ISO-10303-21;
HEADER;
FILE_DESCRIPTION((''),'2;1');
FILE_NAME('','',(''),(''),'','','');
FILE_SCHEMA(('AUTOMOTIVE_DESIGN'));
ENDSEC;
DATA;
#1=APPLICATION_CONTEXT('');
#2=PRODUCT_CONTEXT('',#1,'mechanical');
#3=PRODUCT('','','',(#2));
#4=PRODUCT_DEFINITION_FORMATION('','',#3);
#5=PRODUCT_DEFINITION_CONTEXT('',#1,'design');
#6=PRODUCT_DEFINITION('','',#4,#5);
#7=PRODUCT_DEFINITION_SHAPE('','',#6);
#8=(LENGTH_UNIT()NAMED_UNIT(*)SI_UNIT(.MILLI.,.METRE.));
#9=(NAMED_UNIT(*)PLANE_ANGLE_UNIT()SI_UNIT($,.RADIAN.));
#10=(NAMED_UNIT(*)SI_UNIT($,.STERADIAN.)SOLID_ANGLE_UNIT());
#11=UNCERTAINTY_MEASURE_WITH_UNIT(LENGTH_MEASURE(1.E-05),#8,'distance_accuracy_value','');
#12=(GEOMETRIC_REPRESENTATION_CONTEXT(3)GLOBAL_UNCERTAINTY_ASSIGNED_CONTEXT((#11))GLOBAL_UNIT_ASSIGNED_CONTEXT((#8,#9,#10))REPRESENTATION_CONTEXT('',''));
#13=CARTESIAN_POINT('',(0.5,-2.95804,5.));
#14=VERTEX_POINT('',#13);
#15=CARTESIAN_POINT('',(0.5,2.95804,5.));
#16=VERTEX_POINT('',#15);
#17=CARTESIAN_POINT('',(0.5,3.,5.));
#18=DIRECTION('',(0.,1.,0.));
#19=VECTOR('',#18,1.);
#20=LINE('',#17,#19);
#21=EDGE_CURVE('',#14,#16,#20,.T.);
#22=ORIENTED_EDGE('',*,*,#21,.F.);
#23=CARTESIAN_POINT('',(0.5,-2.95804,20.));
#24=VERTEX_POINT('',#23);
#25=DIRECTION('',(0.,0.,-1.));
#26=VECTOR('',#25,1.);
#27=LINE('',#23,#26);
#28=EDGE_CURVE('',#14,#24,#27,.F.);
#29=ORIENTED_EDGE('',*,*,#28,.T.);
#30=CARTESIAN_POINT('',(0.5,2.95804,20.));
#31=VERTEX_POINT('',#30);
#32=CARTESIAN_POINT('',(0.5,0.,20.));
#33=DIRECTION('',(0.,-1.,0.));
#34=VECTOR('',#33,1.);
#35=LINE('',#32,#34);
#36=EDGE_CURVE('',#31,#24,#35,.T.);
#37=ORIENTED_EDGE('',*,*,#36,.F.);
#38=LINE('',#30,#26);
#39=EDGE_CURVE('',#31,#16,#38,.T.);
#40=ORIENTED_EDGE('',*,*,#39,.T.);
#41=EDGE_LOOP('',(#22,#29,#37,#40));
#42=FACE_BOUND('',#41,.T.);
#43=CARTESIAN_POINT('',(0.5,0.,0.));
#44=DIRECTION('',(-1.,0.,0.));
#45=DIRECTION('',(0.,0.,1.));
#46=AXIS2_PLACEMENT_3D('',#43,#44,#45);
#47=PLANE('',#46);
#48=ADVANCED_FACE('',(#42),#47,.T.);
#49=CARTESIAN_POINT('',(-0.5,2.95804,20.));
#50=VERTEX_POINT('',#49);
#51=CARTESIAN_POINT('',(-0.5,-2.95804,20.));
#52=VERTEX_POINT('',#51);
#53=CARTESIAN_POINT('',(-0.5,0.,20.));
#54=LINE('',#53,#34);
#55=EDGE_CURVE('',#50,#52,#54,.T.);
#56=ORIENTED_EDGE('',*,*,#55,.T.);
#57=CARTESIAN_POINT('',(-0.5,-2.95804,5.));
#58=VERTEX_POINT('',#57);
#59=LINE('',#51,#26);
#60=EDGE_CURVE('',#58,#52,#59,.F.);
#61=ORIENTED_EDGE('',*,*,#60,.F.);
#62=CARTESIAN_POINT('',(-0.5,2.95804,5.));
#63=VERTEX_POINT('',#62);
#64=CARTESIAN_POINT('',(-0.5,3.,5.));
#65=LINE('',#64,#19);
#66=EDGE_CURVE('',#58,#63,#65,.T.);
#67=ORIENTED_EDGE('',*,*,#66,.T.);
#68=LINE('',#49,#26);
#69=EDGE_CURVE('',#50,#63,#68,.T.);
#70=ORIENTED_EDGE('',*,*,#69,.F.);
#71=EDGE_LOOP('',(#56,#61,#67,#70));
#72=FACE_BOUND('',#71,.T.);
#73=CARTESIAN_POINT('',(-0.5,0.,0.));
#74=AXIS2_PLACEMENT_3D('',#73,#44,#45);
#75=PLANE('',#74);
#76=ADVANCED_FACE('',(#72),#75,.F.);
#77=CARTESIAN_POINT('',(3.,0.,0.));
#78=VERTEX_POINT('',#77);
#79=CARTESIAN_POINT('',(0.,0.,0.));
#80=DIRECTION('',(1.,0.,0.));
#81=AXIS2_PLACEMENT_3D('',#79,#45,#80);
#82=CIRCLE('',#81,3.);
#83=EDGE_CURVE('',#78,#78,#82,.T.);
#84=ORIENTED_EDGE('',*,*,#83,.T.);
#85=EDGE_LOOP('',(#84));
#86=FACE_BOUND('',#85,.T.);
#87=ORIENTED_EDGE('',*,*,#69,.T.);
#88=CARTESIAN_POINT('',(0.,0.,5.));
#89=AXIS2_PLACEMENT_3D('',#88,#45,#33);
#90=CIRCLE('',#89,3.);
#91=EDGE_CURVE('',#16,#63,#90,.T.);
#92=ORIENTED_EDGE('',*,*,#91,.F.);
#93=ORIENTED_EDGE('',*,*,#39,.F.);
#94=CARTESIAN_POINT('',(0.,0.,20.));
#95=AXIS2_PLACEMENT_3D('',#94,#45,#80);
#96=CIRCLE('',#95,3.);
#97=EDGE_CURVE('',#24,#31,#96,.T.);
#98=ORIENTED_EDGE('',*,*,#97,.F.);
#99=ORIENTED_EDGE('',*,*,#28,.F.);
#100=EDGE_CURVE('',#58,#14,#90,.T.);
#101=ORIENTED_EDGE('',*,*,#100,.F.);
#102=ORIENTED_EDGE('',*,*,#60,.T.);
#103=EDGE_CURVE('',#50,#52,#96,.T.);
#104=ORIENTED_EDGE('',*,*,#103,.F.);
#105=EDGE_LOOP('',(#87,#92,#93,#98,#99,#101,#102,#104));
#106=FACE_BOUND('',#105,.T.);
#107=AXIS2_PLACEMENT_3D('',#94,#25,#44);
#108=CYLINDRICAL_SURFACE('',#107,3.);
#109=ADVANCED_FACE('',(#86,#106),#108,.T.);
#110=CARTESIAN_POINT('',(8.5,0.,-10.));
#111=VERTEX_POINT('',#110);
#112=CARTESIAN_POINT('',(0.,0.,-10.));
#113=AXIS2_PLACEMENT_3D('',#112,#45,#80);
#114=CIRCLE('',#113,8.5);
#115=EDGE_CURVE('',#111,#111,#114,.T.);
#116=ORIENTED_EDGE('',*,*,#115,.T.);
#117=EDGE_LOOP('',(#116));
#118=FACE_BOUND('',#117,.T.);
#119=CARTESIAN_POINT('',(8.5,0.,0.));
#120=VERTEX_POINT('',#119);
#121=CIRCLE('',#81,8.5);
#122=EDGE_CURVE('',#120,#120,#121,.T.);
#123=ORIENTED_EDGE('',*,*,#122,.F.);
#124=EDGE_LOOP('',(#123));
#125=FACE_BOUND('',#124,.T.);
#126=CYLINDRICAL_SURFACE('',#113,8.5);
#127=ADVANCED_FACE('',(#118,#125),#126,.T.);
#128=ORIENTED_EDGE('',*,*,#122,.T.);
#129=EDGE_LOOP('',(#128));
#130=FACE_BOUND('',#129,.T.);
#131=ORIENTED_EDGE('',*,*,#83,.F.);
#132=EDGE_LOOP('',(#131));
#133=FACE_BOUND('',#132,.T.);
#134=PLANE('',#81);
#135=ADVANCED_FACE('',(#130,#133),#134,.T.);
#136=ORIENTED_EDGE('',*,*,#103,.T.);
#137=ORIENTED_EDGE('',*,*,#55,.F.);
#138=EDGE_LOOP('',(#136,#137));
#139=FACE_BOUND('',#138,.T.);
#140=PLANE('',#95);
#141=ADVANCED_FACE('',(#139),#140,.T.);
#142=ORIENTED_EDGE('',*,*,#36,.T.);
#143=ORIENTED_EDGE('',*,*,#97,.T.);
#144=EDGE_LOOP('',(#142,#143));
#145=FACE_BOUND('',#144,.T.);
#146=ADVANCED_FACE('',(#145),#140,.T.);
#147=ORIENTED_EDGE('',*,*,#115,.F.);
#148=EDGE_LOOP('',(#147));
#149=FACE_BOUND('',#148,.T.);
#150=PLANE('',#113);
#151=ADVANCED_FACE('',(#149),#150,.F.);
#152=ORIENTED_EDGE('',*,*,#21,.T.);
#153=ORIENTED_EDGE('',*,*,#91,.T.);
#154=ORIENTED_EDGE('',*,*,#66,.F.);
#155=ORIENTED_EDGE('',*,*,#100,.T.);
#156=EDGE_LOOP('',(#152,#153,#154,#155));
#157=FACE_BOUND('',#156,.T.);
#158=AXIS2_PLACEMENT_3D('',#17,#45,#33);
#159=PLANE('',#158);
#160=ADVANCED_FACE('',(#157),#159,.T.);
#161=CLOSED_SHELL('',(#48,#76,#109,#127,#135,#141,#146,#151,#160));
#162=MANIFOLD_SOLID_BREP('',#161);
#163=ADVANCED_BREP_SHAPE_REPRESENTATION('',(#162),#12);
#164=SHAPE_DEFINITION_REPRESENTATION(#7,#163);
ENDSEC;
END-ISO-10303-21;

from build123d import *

# Parameters (mm, degrees)
SKETCH1_R               = 3
BOSS_EXTRUDE1_DEPTH     = 20
SKETCH1_3_R             = 8.5
BOSS_EXTRUDE2_DEPTH     = 10
CUT_EXTRUDE1_DEPTH      = 0.5
CUT_EXTRUDE1_DEPTH_BACK = 0.5
SKETCH2_W               = 15
SKETCH2_H               = 6


with BuildPart() as part:
    # Sketch1 → Boss-Extrude1 (new body)
    with BuildSketch(Plane.XY):
        Circle(SKETCH1_R)
    extrude(amount=BOSS_EXTRUDE1_DEPTH)

    # Sketch1<3> → Boss-Extrude2 (add)
    with BuildSketch(Plane.XY):
        Circle(SKETCH1_3_R)
    extrude(amount=-BOSS_EXTRUDE2_DEPTH)

    # Sketch2 → Cut-Extrude1 (cut, two sides: drawn at the far end of the back side and taken through both)
    with BuildSketch(Plane(origin=(0, 0, 0), x_dir=(0, 0, -1), z_dir=(1, 0, 0)).offset(-CUT_EXTRUDE1_DEPTH_BACK)):
        with Locations((-12.5, 0)):
            Rectangle(SKETCH2_W, SKETCH2_H)
    extrude(amount=CUT_EXTRUDE1_DEPTH + CUT_EXTRUDE1_DEPTH_BACK, mode=Mode.SUBTRACT)


solid = part.part
